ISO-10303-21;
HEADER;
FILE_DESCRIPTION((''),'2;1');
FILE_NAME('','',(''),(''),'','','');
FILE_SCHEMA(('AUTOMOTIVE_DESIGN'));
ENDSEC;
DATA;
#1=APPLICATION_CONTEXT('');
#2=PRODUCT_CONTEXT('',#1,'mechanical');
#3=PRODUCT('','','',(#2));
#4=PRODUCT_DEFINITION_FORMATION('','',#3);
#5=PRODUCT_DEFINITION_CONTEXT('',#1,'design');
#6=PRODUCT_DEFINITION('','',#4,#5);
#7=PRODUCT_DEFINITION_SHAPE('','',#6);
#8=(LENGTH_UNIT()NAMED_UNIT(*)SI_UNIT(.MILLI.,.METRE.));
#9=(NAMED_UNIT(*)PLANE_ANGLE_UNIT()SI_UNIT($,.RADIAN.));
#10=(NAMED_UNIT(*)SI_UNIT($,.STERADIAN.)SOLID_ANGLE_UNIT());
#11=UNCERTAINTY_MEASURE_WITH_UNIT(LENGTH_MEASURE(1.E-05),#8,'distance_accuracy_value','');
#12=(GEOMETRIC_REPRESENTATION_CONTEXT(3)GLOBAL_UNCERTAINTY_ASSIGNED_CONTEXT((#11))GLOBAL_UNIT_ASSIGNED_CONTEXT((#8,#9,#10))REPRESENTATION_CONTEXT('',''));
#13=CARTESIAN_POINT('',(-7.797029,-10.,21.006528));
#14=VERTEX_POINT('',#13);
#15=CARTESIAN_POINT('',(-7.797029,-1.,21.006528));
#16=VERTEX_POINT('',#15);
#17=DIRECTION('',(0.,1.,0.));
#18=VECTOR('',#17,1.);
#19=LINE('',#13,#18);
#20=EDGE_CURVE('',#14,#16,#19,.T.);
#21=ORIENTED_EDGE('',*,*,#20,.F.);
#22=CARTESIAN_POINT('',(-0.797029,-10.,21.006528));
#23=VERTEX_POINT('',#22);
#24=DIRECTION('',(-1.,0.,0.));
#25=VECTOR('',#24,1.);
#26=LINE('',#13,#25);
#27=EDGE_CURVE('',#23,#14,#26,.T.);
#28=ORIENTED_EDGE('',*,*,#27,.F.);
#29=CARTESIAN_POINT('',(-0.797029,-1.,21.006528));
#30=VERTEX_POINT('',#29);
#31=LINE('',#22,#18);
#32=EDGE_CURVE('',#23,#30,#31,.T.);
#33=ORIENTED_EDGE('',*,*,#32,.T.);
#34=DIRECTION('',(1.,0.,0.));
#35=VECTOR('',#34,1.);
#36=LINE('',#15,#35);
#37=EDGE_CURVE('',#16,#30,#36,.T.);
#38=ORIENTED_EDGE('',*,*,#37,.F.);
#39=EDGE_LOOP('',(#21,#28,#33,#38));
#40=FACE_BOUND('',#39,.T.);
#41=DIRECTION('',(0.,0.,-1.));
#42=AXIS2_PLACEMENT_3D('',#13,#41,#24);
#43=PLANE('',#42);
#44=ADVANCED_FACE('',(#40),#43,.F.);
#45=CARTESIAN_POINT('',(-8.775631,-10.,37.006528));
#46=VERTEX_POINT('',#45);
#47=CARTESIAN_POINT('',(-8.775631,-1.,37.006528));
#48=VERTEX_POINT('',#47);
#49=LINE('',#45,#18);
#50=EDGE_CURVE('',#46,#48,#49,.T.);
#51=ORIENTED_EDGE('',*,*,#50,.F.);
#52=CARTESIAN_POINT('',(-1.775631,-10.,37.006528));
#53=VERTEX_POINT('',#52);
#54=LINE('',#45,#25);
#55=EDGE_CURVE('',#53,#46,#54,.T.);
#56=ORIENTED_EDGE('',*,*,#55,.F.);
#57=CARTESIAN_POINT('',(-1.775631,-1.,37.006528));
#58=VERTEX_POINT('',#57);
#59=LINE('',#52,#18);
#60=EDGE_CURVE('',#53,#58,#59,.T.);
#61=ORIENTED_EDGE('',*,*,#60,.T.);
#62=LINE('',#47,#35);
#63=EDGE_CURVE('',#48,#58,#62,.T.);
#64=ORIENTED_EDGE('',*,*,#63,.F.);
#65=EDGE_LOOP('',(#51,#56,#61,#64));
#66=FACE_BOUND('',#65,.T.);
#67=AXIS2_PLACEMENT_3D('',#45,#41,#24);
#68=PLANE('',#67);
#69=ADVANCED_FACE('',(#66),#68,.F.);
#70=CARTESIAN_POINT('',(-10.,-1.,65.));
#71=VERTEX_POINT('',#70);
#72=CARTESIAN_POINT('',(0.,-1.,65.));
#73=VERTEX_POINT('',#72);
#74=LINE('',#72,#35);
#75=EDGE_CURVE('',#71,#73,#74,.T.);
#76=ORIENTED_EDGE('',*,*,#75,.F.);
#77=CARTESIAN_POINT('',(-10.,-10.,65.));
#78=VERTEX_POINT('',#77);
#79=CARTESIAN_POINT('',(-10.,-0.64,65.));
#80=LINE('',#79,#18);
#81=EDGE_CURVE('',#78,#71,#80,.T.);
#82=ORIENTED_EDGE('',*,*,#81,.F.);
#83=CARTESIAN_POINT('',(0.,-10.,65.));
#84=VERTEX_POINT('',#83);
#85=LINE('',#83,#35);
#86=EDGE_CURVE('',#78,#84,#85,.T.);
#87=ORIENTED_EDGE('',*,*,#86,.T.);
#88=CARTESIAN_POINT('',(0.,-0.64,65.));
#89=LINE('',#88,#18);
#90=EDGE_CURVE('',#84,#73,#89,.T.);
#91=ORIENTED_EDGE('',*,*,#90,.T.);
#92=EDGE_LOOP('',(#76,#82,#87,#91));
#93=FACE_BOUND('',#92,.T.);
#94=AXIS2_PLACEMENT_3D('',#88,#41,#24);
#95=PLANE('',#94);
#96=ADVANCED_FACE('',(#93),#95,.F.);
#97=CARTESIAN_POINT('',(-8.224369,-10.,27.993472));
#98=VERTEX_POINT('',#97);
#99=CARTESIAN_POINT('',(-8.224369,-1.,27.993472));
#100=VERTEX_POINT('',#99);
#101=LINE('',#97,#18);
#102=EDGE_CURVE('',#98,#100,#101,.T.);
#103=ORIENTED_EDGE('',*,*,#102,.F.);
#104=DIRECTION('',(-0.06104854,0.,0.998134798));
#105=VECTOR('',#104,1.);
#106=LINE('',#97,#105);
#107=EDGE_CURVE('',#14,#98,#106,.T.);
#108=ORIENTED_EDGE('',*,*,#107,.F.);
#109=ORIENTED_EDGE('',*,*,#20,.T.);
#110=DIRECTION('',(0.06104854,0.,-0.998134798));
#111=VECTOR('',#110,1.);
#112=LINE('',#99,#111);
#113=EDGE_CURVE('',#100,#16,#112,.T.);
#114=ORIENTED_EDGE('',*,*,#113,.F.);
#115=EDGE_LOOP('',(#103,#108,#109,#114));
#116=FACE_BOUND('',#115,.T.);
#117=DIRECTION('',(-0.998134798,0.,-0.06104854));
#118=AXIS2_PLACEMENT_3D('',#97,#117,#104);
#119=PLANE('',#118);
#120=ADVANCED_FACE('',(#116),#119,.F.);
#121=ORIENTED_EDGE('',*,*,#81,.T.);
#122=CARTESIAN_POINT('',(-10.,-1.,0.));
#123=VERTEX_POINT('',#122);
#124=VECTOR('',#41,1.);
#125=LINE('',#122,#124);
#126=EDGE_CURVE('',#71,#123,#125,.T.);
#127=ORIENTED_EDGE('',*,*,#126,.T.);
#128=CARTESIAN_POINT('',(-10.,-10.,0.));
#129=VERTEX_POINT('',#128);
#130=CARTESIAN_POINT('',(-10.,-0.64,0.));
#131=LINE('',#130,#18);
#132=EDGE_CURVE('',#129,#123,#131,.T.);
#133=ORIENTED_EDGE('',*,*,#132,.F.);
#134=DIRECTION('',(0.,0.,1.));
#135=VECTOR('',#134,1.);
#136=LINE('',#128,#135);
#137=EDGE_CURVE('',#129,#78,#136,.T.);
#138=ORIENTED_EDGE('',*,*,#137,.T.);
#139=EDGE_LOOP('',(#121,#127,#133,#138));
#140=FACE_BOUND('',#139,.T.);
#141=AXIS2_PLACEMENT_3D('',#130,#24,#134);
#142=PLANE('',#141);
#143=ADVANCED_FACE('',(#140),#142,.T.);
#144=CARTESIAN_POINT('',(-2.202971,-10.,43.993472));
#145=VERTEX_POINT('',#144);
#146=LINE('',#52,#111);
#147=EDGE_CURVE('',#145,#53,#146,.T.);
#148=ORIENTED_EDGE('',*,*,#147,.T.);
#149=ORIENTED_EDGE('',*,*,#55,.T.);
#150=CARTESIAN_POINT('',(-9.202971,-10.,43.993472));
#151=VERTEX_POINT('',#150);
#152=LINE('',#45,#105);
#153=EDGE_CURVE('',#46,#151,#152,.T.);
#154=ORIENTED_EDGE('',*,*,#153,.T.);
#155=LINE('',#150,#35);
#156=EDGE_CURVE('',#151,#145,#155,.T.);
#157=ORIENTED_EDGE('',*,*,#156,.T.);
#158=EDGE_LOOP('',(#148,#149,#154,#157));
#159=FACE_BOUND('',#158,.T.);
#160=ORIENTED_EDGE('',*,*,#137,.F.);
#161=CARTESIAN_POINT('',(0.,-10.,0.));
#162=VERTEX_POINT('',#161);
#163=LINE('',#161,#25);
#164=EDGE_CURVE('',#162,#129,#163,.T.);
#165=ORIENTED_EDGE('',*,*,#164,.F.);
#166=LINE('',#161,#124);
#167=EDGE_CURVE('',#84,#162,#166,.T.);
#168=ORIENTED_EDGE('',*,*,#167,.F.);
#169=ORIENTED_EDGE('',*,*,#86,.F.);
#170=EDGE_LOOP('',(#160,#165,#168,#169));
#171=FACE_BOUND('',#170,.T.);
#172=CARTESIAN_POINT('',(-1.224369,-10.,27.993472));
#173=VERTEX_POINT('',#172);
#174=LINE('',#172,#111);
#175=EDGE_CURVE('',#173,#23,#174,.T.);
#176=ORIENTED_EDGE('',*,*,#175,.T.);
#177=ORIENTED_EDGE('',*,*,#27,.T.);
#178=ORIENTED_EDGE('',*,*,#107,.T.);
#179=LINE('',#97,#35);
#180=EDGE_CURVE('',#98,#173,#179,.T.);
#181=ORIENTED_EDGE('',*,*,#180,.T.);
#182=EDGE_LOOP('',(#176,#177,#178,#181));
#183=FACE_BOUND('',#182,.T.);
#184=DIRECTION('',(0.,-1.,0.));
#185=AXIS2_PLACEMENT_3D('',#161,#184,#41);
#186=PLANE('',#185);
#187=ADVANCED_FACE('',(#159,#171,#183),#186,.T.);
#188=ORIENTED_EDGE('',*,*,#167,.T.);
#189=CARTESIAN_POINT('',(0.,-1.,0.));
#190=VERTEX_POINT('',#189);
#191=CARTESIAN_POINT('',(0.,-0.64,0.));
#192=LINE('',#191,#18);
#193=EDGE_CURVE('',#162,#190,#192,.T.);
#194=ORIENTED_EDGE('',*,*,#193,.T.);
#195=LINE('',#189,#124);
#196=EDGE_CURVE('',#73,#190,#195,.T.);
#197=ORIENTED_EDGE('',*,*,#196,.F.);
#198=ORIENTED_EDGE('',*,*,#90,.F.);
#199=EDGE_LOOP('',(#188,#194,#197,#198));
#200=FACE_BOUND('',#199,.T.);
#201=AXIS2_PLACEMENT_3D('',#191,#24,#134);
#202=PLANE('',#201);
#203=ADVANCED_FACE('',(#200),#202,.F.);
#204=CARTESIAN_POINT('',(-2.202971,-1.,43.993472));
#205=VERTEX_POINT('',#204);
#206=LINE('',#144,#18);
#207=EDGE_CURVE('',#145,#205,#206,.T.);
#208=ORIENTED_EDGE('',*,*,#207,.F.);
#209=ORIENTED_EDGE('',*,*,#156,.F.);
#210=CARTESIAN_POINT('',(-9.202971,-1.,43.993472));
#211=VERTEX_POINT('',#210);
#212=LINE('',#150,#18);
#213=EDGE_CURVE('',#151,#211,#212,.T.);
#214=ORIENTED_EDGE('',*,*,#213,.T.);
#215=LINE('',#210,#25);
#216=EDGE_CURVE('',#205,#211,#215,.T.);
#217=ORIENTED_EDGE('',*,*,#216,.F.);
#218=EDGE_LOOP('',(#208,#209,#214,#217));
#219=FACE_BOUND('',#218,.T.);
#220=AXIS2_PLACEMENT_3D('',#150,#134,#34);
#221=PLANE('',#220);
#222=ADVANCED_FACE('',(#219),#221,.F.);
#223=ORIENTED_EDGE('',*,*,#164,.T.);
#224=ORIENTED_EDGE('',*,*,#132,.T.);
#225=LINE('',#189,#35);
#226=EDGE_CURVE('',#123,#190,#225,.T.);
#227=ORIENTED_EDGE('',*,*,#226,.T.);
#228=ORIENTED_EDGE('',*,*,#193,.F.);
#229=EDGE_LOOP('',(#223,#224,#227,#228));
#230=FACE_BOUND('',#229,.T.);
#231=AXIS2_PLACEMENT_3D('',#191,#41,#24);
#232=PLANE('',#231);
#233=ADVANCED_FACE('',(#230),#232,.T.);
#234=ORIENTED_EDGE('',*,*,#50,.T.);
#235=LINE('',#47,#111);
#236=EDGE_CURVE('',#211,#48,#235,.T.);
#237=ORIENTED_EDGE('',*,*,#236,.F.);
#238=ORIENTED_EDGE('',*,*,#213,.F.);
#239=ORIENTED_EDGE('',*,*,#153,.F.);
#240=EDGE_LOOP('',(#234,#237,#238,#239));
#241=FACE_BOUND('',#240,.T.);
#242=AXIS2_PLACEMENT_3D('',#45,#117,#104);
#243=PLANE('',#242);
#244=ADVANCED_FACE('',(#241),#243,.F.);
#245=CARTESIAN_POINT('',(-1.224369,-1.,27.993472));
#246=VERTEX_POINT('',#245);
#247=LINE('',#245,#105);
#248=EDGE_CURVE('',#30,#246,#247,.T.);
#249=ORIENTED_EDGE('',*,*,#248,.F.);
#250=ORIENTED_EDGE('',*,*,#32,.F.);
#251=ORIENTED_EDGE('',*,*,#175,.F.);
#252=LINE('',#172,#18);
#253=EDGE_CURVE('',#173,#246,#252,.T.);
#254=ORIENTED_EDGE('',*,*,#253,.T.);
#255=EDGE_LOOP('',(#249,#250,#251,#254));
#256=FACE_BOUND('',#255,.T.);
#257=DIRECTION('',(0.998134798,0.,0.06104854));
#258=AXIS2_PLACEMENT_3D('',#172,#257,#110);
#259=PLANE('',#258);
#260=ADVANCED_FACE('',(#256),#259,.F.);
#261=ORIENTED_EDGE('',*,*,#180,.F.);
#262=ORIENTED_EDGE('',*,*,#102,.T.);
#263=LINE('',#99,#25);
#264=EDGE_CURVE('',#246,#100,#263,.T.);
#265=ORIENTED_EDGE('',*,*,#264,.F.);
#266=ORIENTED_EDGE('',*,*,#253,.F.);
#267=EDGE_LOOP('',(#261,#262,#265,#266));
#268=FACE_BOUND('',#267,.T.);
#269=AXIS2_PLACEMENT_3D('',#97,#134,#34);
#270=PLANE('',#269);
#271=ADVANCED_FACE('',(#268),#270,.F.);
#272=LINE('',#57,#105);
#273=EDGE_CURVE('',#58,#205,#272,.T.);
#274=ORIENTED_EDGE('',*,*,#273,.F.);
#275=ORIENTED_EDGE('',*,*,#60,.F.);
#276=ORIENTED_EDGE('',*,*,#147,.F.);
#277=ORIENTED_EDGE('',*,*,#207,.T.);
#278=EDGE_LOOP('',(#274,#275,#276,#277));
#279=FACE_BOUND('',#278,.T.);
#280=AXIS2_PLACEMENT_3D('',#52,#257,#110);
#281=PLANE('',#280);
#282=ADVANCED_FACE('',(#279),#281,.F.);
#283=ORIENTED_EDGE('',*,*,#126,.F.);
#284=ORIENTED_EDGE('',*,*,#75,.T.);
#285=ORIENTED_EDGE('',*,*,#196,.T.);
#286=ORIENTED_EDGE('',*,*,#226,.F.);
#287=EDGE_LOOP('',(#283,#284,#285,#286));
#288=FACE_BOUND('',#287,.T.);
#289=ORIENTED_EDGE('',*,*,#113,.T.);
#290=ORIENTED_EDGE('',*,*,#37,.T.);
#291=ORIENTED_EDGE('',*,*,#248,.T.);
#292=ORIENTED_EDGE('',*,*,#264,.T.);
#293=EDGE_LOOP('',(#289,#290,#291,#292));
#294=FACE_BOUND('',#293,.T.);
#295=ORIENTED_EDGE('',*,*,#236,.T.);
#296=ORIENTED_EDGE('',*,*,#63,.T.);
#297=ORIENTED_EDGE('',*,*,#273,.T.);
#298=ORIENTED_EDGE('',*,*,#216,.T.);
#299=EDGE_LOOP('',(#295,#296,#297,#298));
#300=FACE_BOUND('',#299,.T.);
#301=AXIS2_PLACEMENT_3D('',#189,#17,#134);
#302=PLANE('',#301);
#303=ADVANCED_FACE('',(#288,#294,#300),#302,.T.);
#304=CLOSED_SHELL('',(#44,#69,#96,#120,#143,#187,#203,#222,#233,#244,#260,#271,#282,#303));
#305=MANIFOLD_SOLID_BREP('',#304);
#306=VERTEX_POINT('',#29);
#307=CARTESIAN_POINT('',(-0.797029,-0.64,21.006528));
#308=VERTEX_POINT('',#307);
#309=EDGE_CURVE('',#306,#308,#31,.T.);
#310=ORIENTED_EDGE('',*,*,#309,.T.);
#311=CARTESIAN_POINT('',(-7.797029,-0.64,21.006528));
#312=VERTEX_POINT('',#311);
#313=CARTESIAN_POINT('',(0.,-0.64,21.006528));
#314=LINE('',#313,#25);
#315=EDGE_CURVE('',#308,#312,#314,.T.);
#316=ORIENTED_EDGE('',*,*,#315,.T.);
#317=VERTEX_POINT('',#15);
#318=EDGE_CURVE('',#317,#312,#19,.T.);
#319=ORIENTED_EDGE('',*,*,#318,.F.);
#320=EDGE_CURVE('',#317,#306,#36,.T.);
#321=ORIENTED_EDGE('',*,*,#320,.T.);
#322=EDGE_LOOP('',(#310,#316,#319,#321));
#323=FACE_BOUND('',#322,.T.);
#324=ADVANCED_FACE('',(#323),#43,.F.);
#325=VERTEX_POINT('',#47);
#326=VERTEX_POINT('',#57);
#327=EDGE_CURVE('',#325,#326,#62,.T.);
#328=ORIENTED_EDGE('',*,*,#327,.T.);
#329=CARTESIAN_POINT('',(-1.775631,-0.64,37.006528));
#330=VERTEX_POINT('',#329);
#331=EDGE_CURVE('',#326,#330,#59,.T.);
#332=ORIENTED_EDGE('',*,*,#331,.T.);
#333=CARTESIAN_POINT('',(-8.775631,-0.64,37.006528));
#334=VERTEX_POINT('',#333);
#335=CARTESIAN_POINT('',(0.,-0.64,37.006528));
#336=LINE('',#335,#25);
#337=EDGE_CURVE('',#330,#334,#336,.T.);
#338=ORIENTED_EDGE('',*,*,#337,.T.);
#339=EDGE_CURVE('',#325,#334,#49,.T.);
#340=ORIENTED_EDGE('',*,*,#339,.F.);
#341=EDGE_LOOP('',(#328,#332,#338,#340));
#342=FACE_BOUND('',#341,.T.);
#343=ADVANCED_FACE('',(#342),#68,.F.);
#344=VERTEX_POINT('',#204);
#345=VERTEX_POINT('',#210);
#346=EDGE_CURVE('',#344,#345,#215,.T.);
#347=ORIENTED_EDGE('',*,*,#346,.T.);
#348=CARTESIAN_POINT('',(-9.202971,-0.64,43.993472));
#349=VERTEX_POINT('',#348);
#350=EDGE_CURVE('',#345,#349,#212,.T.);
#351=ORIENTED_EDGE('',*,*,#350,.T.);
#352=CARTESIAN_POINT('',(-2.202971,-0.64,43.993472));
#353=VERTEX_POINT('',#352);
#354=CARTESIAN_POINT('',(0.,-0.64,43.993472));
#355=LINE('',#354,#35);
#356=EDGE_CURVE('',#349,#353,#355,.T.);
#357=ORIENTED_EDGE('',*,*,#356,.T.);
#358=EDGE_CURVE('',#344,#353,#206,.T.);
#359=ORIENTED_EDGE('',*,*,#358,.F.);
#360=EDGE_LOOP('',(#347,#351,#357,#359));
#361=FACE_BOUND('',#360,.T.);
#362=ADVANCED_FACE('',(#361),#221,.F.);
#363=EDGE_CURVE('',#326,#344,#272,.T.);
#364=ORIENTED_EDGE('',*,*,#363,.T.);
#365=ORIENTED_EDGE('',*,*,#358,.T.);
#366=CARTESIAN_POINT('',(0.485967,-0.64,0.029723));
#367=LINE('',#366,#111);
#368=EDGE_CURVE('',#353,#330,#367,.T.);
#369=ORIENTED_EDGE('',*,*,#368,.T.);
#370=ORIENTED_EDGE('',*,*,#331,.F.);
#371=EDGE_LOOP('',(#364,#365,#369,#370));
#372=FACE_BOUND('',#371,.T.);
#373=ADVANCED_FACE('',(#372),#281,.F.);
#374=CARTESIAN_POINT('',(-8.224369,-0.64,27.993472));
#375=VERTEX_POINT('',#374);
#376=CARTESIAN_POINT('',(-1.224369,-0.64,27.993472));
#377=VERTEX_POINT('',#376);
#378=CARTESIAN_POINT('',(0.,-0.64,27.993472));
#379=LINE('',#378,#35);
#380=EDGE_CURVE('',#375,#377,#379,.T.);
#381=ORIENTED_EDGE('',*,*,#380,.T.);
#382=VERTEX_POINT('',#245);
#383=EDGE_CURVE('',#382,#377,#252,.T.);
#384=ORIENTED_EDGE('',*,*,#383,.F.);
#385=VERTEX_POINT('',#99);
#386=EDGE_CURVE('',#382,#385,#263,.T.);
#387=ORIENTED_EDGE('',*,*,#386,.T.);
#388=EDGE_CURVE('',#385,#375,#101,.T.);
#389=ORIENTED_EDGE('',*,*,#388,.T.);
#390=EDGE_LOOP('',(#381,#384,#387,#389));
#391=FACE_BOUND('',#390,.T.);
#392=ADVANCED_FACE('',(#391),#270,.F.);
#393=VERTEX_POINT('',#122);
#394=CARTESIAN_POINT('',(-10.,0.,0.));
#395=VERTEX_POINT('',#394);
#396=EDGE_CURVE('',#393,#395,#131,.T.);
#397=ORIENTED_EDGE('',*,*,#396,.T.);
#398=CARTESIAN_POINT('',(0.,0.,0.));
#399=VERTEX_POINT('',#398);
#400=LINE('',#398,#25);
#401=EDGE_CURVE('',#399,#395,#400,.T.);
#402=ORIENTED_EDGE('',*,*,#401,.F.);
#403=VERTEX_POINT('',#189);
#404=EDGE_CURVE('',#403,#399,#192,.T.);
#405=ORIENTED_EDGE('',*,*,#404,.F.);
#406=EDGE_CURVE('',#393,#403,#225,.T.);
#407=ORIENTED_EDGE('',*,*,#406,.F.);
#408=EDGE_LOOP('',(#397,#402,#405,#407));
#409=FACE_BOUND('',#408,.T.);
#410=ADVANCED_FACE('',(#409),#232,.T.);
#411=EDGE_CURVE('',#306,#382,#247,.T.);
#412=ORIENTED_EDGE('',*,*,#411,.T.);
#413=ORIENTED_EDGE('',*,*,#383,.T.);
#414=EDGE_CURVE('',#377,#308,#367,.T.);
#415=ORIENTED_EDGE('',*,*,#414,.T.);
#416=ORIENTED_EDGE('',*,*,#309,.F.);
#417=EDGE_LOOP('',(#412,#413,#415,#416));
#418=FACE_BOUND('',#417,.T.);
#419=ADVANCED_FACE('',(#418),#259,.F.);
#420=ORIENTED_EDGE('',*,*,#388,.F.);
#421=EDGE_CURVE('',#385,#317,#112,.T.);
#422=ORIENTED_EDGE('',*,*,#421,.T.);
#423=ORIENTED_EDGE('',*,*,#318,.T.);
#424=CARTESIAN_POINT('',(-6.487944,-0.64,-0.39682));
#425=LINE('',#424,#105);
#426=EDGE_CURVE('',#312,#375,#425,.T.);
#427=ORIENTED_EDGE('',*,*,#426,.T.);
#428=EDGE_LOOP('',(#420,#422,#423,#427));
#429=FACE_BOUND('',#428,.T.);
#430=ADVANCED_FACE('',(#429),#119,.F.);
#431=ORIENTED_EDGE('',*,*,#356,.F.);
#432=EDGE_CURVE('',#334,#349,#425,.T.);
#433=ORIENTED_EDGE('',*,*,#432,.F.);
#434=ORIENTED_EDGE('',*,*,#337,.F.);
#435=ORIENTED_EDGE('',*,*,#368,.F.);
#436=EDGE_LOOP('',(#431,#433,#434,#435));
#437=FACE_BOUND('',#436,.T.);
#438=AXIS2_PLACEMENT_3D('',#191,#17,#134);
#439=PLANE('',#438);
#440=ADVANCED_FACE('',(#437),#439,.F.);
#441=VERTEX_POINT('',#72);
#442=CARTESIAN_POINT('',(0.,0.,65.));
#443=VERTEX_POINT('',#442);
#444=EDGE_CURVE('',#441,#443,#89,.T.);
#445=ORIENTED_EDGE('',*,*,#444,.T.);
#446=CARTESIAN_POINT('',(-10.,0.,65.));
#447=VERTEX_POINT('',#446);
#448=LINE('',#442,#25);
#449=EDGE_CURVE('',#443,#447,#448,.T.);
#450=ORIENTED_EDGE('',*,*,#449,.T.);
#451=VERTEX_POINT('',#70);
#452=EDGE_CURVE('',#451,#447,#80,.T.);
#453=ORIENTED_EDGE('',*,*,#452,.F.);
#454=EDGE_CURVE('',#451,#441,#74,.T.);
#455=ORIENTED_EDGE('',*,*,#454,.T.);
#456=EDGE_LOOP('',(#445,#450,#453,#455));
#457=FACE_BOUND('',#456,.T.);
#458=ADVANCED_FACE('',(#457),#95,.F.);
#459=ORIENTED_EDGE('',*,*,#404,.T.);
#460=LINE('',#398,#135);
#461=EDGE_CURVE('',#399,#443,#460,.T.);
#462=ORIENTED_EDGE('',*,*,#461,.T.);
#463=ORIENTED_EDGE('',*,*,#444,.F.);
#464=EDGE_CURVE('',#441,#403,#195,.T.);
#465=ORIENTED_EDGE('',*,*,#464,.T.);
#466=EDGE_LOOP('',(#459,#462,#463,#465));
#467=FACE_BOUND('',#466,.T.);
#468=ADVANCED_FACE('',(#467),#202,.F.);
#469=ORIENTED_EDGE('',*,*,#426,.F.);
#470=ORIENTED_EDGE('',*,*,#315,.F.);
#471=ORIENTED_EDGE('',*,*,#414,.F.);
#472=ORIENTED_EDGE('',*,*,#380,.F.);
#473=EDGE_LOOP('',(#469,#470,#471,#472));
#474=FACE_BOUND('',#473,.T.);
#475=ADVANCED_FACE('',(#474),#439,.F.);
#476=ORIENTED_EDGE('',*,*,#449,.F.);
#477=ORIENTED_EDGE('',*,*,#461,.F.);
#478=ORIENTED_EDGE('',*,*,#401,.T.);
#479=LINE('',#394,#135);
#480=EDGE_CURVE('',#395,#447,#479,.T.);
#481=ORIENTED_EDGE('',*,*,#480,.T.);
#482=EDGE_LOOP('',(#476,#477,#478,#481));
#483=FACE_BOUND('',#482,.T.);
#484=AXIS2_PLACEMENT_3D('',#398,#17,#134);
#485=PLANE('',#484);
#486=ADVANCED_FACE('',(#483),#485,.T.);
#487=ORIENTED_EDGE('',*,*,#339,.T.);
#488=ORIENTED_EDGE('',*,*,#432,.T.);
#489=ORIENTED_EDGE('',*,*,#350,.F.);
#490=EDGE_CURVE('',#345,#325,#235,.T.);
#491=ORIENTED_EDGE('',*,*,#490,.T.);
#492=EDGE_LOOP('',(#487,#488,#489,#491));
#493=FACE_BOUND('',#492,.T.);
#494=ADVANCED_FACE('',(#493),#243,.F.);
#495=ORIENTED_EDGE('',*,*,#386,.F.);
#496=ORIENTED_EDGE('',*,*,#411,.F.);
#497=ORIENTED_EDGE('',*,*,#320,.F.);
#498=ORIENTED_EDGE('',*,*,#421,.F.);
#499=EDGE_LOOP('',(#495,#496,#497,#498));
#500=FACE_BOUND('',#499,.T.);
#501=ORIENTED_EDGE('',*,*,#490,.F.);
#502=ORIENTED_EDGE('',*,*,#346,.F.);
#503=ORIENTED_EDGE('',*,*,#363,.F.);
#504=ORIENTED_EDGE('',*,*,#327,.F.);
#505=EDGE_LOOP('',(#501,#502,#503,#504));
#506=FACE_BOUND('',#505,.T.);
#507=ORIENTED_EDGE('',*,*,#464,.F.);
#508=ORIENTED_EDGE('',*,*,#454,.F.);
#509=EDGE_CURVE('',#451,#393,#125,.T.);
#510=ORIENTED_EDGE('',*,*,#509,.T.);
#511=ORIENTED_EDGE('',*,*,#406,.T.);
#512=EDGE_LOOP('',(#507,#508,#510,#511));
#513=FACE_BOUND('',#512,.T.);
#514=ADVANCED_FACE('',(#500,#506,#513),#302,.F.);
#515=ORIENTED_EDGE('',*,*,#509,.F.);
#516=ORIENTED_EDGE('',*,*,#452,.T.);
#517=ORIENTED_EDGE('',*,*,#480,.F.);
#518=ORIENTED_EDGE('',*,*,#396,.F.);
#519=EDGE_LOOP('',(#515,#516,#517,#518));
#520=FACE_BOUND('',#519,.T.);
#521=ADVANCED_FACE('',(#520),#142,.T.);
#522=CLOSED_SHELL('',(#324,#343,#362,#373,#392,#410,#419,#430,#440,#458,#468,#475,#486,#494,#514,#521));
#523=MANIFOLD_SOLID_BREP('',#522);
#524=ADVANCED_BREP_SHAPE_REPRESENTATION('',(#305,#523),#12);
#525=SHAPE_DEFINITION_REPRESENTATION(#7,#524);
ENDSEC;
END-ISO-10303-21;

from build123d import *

# Parameters (mm, degrees)
SKETCH1_W           = 10
SKETCH1_H           = 65
BOSS_EXTRUDE1_DEPTH = 0.64
SKETCH1_2_W         = 10
SKETCH1_2_H         = 65
BOSS_EXTRUDE2_DEPTH = 10


with BuildPart() as part:
    # Sketch1 → Boss-Extrude1 (new body)
    with BuildSketch(Plane(origin=(0, 0, 0), x_dir=(1, 0, 0), z_dir=(0, 1, 0))):
        with Locations((-5, -32.5)):
            Rectangle(SKETCH1_W, SKETCH1_H)
    extrude(amount=-BOSS_EXTRUDE1_DEPTH)

    # Sketch1<2> → Boss-Extrude2 (add)
    with BuildSketch(Plane(origin=(0, 0, 0), x_dir=(1, 0, 0), z_dir=(0, 1, 0))):
        with Locations((-5, -32.5)):
            Rectangle(SKETCH1_2_W, SKETCH1_2_H)
        Polygon((-8.224368927, -27.993471794), (-7.79702915, -21.006528206), (-0.79702915, -21.006528206), (-1.224368927, -27.993471794), align=None, mode=Mode.SUBTRACT)
        Polygon((-8.775631073, -37.006528206), (-1.775631073, -37.006528206), (-2.20297085, -43.993471794), (-9.20297085, -43.993471794), align=None, mode=Mode.SUBTRACT)
    extrude(amount=-BOSS_EXTRUDE2_DEPTH)


with BuildPart() as body_2:
    # Split1: the piece on the far side of the plane
    add(part.part)
    split(bisect_by=Plane.ZX.offset(-1), keep=Keep.BOTTOM)


with BuildPart() as part_1:
    add(part.part)

    # Split1
    split(bisect_by=Plane.ZX.offset(-1), keep=Keep.TOP)


solid = Compound([body_2.part, part_1.part])
